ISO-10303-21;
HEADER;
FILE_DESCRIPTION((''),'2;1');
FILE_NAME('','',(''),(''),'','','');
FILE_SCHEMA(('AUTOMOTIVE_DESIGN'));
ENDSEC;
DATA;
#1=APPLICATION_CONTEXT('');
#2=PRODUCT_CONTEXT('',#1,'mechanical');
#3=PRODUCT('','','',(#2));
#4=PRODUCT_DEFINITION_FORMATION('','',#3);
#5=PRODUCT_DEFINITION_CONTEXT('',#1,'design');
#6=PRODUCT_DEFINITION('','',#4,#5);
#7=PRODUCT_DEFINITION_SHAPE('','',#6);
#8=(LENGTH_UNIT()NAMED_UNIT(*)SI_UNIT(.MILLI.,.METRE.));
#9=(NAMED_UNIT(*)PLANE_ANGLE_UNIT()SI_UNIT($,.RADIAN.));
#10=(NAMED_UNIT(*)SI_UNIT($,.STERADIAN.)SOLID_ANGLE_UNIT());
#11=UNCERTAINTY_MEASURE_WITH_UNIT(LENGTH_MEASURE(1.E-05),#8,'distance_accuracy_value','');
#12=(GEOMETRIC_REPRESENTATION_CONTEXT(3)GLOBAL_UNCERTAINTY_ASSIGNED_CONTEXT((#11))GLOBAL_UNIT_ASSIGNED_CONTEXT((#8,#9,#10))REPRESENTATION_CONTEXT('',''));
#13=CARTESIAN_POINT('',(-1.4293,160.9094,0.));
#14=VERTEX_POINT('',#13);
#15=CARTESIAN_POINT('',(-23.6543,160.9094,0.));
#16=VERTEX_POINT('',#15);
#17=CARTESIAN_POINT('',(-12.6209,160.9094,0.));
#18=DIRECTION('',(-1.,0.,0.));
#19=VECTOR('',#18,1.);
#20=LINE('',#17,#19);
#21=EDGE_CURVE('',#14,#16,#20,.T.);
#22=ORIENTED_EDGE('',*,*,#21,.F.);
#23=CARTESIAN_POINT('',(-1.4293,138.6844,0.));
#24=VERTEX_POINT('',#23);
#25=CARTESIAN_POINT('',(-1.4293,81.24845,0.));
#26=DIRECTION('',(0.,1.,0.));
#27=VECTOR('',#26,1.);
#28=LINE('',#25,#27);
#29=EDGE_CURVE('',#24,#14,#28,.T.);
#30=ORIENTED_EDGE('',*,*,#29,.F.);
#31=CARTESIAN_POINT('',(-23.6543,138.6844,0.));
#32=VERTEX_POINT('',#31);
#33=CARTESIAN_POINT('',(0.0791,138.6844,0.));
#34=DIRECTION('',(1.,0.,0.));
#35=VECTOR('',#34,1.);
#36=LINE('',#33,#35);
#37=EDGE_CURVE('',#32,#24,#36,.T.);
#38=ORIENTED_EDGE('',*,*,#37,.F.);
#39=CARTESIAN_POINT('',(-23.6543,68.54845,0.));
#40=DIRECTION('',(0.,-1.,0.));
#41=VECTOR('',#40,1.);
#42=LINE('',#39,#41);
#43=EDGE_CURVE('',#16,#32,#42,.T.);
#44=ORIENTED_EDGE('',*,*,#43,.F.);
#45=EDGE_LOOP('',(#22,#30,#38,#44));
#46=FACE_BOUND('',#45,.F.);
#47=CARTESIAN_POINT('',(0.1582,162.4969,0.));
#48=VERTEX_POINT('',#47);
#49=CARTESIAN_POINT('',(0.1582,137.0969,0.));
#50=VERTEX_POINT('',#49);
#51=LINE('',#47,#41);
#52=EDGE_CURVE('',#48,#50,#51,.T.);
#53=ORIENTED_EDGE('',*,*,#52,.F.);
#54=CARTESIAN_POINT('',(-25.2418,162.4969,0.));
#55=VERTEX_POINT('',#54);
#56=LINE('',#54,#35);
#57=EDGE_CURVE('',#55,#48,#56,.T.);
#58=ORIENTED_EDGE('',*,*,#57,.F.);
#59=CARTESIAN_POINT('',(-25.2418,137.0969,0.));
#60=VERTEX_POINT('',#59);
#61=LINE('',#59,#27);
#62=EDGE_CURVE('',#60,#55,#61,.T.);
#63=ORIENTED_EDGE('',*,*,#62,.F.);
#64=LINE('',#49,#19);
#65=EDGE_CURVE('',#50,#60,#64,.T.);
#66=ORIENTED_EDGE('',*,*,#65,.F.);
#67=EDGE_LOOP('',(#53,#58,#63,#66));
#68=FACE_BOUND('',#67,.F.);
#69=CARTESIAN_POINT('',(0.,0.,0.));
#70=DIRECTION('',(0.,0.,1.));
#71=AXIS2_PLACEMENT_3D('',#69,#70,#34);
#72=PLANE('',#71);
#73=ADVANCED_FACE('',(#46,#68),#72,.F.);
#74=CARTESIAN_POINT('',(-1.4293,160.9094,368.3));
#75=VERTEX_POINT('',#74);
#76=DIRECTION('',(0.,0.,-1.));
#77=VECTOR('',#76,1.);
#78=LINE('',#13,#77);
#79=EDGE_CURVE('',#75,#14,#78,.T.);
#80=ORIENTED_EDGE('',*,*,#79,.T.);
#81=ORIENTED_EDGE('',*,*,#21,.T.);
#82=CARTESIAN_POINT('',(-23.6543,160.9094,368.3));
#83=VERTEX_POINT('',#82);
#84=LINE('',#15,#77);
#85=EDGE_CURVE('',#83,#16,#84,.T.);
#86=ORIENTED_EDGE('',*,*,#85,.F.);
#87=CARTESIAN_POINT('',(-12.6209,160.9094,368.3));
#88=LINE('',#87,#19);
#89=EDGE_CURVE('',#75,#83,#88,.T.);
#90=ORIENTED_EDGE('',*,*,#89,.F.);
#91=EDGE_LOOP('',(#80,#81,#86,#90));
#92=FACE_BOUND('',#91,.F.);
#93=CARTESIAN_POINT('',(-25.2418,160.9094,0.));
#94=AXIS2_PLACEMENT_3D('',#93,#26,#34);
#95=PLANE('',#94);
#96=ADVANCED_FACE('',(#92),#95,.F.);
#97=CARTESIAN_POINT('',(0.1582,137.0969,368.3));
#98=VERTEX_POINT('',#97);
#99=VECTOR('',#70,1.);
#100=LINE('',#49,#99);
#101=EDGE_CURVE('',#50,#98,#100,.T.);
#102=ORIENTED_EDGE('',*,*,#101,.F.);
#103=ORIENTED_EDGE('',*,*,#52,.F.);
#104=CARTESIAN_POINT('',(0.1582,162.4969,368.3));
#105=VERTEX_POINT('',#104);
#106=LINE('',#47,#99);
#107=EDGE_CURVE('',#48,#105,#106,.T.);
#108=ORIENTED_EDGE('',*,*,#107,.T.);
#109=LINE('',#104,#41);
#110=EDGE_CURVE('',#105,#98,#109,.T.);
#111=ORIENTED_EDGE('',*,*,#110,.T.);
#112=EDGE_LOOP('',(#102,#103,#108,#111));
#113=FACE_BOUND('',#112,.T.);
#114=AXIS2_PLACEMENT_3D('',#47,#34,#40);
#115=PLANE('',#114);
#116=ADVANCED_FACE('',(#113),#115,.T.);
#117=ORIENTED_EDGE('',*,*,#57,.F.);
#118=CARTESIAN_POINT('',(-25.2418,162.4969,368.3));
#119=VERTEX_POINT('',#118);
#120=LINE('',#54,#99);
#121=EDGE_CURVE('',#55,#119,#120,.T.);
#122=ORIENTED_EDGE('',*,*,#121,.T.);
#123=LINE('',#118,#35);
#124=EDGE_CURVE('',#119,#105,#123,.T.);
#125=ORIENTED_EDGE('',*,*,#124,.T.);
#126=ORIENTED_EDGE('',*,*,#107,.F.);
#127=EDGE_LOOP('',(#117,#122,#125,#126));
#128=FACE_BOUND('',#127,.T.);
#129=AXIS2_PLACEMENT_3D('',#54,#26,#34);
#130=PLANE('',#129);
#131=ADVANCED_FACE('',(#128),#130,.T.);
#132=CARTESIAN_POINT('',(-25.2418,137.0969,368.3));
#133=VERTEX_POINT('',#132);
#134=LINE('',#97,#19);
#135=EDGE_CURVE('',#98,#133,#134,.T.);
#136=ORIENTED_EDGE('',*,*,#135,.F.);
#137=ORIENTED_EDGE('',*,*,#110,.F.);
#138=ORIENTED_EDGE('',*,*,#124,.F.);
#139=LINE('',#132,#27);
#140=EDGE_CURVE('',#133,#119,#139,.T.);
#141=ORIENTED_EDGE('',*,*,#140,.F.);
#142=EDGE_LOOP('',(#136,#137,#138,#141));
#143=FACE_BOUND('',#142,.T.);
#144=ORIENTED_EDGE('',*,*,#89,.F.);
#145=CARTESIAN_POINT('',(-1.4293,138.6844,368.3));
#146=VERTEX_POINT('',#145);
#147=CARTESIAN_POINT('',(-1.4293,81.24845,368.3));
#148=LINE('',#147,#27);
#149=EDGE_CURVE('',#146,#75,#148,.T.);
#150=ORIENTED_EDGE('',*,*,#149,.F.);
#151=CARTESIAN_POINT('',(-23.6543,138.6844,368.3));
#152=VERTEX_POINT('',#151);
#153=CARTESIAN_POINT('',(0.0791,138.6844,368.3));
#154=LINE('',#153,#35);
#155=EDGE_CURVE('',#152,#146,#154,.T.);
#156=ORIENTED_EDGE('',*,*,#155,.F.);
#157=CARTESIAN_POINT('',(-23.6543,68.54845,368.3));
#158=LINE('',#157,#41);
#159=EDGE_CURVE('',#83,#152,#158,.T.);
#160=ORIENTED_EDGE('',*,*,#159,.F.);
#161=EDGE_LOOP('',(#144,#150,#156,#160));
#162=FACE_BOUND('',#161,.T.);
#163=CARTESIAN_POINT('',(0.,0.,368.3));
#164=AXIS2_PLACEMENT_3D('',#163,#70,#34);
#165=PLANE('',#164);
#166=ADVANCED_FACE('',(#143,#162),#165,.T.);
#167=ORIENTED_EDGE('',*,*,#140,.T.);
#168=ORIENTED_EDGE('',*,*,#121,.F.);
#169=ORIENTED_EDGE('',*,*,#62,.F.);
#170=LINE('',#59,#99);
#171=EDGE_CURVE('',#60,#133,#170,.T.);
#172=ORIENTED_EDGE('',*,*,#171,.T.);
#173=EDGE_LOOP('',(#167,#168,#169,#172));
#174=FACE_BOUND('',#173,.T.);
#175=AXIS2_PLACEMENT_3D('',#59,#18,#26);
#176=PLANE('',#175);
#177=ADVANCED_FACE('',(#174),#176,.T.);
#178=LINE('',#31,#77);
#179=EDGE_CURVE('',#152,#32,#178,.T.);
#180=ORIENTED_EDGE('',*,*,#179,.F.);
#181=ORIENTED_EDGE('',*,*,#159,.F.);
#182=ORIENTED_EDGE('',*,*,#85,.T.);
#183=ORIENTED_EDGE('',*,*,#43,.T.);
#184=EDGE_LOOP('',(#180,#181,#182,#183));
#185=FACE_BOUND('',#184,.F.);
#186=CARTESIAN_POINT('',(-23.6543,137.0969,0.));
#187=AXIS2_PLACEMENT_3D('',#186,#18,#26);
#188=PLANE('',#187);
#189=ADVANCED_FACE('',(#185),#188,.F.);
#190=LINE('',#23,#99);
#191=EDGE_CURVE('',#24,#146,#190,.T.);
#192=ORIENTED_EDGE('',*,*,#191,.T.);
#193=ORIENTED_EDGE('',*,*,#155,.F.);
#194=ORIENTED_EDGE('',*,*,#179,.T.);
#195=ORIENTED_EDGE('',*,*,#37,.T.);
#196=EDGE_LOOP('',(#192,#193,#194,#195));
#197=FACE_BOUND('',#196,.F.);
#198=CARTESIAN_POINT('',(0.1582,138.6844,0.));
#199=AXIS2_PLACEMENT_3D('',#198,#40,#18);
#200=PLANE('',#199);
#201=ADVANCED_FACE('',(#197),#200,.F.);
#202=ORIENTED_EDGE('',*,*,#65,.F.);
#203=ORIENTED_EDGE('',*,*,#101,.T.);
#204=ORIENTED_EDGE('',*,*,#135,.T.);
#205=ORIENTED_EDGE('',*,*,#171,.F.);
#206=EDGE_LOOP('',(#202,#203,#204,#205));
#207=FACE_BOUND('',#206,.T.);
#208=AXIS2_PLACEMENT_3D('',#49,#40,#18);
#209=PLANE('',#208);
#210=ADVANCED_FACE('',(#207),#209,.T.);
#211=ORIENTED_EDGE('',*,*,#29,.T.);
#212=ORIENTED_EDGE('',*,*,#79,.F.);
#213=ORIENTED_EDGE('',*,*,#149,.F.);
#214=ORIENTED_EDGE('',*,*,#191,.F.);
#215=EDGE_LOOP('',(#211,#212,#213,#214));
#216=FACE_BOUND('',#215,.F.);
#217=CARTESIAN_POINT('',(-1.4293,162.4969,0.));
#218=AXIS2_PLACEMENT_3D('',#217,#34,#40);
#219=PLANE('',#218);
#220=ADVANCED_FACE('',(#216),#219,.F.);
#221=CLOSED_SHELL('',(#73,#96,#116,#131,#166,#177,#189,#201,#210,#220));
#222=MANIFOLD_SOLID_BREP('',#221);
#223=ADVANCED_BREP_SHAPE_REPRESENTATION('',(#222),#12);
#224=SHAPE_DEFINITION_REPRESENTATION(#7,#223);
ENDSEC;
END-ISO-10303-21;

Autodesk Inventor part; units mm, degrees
ref_plane "YZ Plane" through (0, 0, 0) normal (1, 0, 0) x (0, 1, 0)
ref_plane "XZ Plane" through (0, 0, 0) normal (0, 1, 0) x (-1, 0, 0)
ref_plane "XY Plane" through (0, 0, 0) normal (0, 0, 1) x (1, 0, 0)
sketch "Sketch1" plane through (0, 0, 0) normal (0, 0, 1) x (1, 0, 0)
  line L0 (0.1582, 137.0969) -> (-25.2418, 137.0969)
  line L1 (-25.2418, 137.0969) -> (-25.2418, 162.4969)
  line L2 (-25.2418, 162.4969) -> (0.1582, 162.4969)
  line L3 (0.1582, 162.4969) -> (0.1582, 137.0969)
  point P0 (0, 0)
  dimension "d0" = 25.4
  dimension "d1" = 25.4
extrude "Extrusion1" add sketch "Sketch1" along normal blind 368.3
shell "Shell1" thickness 1.5875 removed faces 2 at (-8.3084, 145.5636, 0) at (-8.3084, 145.5636, 368.3)
properties part number "Frame_LowerConveyorBallSupport" material "Aluminum-6061"
